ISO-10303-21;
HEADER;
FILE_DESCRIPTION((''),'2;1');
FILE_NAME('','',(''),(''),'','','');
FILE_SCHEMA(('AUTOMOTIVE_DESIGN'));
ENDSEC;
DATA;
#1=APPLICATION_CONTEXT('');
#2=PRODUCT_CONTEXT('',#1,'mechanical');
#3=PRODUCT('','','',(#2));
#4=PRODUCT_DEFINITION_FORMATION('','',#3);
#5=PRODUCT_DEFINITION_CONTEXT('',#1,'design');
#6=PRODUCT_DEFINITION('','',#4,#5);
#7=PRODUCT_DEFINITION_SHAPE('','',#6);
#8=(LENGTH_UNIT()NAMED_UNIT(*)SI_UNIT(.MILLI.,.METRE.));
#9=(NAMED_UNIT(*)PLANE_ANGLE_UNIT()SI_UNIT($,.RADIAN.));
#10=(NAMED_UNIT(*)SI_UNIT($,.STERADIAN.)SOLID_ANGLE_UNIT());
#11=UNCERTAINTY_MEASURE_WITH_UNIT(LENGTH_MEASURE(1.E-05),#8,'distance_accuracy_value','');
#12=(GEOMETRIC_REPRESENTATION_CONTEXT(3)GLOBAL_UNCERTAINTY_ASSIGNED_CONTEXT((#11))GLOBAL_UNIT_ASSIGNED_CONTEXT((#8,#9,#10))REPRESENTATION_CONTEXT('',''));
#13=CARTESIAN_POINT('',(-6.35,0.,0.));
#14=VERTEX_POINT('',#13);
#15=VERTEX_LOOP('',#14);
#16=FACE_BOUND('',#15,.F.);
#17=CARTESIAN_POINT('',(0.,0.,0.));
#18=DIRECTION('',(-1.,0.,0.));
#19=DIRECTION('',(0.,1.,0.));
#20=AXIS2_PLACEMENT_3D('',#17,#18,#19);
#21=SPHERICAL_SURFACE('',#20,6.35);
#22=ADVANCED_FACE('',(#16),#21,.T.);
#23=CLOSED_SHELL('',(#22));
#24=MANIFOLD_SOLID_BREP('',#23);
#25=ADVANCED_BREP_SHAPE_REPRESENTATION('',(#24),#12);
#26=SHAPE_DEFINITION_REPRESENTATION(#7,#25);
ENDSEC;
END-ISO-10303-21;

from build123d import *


with BuildPart() as part:
    # Sketch1 → Revolve1 (revolve)
    with BuildSketch(Plane.XY):
        with BuildLine():
            Line((-6.35, 0), (6.35, 0))
            ThreePointArc((6.35, 0), (0, 6.35), (-6.35, 0))
        make_face()
    revolve(axis=Axis((-15.275591218, 0, 0), (1, 0, 0)))


solid = part.part
